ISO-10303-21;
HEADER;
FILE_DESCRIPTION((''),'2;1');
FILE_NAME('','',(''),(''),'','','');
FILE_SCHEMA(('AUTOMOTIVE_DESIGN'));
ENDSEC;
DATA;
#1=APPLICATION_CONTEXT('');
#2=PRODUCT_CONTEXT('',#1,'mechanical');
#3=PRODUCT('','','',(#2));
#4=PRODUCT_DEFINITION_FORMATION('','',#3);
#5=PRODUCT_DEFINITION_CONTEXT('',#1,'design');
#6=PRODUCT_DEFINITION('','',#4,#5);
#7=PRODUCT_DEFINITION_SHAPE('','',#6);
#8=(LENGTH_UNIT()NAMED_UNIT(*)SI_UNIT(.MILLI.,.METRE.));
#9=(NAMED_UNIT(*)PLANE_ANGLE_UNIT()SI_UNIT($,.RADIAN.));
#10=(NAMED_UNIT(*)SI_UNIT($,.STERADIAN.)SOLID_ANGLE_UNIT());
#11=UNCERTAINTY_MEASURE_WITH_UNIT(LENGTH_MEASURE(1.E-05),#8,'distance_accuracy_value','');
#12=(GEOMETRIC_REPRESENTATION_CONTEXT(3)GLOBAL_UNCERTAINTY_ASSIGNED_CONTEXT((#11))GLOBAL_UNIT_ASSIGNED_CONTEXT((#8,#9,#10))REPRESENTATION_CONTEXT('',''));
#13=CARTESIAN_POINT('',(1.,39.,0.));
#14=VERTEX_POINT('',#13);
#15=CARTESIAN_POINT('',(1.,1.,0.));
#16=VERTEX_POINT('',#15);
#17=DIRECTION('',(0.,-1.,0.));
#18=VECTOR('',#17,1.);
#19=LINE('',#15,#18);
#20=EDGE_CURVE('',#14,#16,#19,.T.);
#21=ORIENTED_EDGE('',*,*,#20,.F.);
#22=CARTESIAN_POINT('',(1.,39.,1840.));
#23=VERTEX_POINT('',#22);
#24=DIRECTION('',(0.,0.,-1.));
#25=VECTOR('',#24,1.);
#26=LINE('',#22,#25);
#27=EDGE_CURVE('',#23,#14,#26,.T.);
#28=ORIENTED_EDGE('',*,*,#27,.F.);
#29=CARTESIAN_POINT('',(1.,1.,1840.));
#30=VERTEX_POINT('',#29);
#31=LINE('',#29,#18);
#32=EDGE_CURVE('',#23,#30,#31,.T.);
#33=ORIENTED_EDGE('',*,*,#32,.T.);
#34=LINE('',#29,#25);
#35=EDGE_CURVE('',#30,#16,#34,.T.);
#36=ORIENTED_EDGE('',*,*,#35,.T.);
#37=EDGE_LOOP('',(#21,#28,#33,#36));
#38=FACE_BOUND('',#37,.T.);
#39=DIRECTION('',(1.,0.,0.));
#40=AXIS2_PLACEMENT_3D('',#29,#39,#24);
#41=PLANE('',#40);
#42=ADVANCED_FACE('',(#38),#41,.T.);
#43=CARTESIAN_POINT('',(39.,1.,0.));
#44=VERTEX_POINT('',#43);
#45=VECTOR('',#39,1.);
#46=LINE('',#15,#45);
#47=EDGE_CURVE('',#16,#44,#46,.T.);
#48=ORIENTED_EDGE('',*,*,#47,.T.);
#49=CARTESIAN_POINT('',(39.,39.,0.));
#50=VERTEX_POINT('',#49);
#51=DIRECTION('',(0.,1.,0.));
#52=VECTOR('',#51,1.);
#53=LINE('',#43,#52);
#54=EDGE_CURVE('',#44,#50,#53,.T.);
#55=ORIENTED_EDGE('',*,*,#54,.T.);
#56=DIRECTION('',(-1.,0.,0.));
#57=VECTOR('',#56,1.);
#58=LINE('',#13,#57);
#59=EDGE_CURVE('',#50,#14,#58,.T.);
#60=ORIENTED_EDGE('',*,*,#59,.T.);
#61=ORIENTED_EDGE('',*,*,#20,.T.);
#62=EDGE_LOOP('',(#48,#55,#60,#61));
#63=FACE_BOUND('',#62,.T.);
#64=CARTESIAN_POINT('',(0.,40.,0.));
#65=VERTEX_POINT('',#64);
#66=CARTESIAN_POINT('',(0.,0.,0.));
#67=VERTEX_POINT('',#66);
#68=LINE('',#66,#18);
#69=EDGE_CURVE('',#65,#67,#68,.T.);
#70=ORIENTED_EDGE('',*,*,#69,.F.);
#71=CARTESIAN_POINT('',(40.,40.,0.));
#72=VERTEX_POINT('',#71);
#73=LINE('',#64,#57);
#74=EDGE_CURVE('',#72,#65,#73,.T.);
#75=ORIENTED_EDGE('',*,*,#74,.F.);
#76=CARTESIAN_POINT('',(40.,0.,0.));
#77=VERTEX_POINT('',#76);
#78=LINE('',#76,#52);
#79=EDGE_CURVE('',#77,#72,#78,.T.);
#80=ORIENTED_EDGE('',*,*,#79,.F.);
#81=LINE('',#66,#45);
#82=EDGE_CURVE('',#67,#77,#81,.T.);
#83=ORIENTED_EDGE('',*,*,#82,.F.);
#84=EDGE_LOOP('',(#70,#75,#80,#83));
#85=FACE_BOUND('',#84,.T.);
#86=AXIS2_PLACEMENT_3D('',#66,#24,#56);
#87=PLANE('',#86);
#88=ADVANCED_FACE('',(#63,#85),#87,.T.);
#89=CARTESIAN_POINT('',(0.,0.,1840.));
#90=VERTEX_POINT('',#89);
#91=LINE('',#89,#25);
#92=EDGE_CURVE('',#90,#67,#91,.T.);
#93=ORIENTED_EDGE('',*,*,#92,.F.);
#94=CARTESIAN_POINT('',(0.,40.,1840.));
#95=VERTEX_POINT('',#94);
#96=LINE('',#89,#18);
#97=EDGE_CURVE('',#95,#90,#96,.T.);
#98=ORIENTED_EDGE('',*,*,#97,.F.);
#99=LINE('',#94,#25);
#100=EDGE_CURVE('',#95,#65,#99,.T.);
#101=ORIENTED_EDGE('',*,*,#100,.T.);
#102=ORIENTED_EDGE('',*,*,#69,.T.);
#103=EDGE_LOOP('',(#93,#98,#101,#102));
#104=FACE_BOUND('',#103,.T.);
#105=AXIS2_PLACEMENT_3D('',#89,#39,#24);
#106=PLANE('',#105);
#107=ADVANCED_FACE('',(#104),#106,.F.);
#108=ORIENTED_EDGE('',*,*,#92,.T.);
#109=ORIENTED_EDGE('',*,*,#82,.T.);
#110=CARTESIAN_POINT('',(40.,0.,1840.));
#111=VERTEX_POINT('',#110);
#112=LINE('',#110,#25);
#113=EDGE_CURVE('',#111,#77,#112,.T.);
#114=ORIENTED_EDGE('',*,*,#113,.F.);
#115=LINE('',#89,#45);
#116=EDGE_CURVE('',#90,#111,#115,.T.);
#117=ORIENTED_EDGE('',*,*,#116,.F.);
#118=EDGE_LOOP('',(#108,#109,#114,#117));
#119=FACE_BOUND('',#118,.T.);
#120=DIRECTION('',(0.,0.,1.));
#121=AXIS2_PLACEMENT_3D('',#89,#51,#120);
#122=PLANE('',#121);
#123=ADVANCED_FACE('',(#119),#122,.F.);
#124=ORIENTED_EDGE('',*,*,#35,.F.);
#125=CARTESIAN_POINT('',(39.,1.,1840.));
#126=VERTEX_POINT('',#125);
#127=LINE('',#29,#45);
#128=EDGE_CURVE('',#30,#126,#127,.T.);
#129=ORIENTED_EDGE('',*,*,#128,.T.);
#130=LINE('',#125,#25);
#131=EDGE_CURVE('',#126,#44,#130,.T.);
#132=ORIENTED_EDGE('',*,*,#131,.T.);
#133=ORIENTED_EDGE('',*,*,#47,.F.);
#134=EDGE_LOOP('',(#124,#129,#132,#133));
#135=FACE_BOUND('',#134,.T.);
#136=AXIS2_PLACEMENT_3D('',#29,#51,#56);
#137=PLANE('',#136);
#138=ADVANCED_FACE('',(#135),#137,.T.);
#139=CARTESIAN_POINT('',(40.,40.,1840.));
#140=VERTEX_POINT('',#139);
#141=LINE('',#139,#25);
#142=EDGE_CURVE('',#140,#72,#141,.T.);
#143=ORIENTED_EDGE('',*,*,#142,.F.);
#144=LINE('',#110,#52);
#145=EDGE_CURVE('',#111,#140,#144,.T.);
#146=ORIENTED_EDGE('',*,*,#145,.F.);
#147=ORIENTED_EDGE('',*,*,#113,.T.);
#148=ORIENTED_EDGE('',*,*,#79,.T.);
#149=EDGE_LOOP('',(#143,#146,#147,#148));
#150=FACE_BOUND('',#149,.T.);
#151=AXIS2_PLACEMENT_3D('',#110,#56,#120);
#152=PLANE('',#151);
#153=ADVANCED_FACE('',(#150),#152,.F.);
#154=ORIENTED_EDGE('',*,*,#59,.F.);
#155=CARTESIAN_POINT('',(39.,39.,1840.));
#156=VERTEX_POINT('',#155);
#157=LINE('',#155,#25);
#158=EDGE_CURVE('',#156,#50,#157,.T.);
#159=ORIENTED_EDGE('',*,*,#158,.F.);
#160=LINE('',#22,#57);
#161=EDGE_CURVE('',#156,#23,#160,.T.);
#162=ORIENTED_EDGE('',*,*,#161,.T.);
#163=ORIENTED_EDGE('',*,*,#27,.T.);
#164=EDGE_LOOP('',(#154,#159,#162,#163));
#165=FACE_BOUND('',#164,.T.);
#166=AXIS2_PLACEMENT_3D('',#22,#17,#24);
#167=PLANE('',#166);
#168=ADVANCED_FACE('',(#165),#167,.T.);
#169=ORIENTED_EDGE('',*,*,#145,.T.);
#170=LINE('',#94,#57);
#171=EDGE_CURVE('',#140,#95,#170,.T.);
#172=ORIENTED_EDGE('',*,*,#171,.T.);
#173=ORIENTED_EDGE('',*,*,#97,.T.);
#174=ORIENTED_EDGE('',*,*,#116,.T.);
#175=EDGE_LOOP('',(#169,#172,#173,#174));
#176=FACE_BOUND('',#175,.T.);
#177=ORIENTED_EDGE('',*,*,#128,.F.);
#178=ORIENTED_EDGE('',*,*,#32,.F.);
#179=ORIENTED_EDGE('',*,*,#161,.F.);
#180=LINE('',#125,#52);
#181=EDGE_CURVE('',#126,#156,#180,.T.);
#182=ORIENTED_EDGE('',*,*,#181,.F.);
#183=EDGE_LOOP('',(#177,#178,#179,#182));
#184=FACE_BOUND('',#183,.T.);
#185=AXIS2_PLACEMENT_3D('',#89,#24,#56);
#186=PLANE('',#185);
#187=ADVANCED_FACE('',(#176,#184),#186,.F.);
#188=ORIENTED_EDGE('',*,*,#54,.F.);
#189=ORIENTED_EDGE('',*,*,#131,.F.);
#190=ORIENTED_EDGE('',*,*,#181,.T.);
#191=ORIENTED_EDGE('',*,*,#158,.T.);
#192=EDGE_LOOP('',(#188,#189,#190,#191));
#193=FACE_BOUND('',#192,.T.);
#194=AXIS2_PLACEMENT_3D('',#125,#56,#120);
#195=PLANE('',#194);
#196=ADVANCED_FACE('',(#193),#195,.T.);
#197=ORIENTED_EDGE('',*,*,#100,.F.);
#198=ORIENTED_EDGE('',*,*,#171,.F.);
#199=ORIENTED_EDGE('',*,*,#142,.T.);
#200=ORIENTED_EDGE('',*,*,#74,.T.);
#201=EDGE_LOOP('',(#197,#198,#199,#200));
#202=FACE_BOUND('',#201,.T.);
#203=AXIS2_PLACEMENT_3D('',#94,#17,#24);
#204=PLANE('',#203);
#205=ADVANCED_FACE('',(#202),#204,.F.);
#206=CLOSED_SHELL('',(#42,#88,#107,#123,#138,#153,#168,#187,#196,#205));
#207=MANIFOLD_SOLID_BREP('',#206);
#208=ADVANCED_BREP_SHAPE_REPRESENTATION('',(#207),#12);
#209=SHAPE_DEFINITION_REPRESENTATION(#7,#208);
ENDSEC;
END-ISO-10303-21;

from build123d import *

# Parameters (mm, degrees)
SKETCH_1_W      = 40
SKETCH_1_H      = 40
SKETCH_1_W_2    = 38
SKETCH_1_H_2    = 38
EXTRUDE_1_DEPTH = 1840


with BuildPart() as part:
    # 草图1 → 凸台-拉伸1 (new body)
    with BuildSketch(Plane.XY):
        with Locations((20, 20)):
            Rectangle(SKETCH_1_W, SKETCH_1_H)
        with Locations((20, 20)):
            Rectangle(SKETCH_1_W_2, SKETCH_1_H_2, mode=Mode.SUBTRACT)
    extrude(amount=EXTRUDE_1_DEPTH)


solid = part.part
